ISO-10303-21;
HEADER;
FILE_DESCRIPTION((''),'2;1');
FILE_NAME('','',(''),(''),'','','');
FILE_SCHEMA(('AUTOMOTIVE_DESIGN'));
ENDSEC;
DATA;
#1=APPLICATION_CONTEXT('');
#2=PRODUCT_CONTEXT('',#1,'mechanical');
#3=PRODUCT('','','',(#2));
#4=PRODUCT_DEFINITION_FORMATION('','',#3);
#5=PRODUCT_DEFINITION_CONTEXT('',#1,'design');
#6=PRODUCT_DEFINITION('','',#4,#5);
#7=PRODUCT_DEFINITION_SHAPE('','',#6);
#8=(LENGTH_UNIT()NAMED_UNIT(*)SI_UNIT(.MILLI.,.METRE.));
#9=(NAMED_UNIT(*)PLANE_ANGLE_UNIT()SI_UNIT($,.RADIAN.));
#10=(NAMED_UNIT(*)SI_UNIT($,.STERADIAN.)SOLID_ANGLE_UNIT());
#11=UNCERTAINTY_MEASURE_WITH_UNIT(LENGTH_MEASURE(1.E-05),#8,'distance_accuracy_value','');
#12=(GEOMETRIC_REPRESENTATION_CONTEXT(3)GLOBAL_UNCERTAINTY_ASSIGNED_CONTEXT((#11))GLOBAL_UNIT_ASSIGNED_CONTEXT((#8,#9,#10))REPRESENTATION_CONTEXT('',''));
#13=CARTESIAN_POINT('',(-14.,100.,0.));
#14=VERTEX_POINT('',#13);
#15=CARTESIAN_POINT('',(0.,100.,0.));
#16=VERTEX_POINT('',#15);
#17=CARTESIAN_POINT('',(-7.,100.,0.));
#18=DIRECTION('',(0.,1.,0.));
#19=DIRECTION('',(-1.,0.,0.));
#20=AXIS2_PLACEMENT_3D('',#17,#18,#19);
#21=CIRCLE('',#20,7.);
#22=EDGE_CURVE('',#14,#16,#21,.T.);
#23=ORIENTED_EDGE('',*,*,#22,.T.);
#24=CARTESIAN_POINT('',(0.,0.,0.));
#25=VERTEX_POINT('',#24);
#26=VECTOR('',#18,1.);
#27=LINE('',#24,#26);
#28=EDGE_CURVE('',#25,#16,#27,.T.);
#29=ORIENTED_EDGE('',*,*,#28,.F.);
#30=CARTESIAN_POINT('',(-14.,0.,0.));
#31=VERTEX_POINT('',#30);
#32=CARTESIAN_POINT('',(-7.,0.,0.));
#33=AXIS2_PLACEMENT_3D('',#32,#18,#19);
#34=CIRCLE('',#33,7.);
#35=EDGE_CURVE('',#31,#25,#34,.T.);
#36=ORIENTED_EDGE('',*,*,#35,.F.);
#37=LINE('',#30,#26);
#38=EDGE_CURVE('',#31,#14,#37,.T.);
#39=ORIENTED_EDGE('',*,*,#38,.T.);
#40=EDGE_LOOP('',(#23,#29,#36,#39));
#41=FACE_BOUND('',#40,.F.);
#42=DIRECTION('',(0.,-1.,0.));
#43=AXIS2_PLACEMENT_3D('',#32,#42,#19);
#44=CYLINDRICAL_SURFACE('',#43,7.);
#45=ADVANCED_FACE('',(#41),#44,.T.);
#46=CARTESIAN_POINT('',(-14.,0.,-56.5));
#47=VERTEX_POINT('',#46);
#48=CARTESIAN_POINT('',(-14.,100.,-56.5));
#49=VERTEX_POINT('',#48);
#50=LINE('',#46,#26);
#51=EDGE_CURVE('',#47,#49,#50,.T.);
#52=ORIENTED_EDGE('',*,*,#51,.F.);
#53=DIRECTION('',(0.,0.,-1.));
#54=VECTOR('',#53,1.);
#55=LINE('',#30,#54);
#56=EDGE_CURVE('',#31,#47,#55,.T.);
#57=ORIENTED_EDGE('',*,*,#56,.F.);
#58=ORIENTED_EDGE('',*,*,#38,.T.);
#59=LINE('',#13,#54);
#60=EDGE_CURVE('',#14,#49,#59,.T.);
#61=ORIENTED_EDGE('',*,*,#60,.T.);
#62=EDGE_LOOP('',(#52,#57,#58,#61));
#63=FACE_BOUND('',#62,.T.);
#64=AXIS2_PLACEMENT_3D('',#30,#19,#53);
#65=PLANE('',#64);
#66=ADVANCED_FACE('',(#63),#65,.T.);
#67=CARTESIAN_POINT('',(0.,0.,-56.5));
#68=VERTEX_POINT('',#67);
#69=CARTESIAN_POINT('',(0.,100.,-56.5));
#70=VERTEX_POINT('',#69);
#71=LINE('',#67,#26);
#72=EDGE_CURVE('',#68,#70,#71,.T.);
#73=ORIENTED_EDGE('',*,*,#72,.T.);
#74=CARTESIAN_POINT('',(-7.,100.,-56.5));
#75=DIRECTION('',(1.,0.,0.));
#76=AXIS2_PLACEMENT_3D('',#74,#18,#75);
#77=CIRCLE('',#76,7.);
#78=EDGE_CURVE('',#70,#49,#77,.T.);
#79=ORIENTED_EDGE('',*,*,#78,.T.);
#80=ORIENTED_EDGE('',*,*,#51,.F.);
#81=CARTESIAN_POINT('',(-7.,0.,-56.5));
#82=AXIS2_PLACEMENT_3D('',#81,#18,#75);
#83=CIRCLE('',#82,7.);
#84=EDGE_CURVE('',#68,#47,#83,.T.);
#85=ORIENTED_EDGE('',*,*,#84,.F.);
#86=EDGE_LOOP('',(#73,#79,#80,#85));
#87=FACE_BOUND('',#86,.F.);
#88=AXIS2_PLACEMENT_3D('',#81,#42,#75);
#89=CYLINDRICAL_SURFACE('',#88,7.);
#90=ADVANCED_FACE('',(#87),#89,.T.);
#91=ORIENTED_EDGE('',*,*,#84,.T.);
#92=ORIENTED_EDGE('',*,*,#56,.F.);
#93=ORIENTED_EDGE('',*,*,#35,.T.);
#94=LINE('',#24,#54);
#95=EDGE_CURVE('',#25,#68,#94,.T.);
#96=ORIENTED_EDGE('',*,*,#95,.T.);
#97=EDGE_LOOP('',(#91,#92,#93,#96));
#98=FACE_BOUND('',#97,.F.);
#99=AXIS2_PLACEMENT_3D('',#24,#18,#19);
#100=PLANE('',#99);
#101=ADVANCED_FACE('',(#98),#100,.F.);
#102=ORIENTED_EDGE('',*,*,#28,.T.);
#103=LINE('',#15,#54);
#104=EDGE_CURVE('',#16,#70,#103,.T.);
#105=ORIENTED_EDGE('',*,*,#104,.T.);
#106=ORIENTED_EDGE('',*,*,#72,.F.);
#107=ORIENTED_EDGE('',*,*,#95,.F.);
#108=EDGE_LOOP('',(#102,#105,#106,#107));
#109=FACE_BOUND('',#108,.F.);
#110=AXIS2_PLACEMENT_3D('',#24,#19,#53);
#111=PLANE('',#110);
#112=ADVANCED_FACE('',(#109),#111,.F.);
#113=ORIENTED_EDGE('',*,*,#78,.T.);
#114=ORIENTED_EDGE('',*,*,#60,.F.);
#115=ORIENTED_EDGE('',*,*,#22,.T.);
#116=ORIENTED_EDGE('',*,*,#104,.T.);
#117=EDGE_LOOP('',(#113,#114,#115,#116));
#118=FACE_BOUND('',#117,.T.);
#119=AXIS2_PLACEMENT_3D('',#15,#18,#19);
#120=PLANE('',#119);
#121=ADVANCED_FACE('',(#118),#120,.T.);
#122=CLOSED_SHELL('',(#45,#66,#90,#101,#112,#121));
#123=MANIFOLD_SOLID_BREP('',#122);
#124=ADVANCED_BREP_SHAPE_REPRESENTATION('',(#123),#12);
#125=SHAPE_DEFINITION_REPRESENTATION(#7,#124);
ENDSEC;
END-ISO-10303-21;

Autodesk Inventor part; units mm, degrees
ref_plane "YZ Plane" through (0, 0, 0) normal (1, 0, 0) x (0, 1, 0)
ref_plane "XZ Plane" through (0, 0, 0) normal (0, 1, 0) x (-1, 0, 0)
ref_plane "XY Plane" through (0, 0, 0) normal (0, 0, 1) x (1, 0, 0)
sketch "Sketch1" plane through (0, 0, 0) normal (0, 1, 0) x (-1, 0, 0)
  arc A0 (14, 0) -> (0, 0) centre (7, 0) ccw
  line L0 (0, 0) -> (0, -56.5)
  line L1 (14, 0) -> (14, -56.5)
  arc A1 (0, -56.5) -> (14, -56.5) centre (7, -56.5) ccw
  dimension "d1" = 14
  dimension "d2" = 70.5
extrude "Extrusion1" add sketch "Sketch1" along normal blind 100
properties part number "Cuerpo - Batería"
